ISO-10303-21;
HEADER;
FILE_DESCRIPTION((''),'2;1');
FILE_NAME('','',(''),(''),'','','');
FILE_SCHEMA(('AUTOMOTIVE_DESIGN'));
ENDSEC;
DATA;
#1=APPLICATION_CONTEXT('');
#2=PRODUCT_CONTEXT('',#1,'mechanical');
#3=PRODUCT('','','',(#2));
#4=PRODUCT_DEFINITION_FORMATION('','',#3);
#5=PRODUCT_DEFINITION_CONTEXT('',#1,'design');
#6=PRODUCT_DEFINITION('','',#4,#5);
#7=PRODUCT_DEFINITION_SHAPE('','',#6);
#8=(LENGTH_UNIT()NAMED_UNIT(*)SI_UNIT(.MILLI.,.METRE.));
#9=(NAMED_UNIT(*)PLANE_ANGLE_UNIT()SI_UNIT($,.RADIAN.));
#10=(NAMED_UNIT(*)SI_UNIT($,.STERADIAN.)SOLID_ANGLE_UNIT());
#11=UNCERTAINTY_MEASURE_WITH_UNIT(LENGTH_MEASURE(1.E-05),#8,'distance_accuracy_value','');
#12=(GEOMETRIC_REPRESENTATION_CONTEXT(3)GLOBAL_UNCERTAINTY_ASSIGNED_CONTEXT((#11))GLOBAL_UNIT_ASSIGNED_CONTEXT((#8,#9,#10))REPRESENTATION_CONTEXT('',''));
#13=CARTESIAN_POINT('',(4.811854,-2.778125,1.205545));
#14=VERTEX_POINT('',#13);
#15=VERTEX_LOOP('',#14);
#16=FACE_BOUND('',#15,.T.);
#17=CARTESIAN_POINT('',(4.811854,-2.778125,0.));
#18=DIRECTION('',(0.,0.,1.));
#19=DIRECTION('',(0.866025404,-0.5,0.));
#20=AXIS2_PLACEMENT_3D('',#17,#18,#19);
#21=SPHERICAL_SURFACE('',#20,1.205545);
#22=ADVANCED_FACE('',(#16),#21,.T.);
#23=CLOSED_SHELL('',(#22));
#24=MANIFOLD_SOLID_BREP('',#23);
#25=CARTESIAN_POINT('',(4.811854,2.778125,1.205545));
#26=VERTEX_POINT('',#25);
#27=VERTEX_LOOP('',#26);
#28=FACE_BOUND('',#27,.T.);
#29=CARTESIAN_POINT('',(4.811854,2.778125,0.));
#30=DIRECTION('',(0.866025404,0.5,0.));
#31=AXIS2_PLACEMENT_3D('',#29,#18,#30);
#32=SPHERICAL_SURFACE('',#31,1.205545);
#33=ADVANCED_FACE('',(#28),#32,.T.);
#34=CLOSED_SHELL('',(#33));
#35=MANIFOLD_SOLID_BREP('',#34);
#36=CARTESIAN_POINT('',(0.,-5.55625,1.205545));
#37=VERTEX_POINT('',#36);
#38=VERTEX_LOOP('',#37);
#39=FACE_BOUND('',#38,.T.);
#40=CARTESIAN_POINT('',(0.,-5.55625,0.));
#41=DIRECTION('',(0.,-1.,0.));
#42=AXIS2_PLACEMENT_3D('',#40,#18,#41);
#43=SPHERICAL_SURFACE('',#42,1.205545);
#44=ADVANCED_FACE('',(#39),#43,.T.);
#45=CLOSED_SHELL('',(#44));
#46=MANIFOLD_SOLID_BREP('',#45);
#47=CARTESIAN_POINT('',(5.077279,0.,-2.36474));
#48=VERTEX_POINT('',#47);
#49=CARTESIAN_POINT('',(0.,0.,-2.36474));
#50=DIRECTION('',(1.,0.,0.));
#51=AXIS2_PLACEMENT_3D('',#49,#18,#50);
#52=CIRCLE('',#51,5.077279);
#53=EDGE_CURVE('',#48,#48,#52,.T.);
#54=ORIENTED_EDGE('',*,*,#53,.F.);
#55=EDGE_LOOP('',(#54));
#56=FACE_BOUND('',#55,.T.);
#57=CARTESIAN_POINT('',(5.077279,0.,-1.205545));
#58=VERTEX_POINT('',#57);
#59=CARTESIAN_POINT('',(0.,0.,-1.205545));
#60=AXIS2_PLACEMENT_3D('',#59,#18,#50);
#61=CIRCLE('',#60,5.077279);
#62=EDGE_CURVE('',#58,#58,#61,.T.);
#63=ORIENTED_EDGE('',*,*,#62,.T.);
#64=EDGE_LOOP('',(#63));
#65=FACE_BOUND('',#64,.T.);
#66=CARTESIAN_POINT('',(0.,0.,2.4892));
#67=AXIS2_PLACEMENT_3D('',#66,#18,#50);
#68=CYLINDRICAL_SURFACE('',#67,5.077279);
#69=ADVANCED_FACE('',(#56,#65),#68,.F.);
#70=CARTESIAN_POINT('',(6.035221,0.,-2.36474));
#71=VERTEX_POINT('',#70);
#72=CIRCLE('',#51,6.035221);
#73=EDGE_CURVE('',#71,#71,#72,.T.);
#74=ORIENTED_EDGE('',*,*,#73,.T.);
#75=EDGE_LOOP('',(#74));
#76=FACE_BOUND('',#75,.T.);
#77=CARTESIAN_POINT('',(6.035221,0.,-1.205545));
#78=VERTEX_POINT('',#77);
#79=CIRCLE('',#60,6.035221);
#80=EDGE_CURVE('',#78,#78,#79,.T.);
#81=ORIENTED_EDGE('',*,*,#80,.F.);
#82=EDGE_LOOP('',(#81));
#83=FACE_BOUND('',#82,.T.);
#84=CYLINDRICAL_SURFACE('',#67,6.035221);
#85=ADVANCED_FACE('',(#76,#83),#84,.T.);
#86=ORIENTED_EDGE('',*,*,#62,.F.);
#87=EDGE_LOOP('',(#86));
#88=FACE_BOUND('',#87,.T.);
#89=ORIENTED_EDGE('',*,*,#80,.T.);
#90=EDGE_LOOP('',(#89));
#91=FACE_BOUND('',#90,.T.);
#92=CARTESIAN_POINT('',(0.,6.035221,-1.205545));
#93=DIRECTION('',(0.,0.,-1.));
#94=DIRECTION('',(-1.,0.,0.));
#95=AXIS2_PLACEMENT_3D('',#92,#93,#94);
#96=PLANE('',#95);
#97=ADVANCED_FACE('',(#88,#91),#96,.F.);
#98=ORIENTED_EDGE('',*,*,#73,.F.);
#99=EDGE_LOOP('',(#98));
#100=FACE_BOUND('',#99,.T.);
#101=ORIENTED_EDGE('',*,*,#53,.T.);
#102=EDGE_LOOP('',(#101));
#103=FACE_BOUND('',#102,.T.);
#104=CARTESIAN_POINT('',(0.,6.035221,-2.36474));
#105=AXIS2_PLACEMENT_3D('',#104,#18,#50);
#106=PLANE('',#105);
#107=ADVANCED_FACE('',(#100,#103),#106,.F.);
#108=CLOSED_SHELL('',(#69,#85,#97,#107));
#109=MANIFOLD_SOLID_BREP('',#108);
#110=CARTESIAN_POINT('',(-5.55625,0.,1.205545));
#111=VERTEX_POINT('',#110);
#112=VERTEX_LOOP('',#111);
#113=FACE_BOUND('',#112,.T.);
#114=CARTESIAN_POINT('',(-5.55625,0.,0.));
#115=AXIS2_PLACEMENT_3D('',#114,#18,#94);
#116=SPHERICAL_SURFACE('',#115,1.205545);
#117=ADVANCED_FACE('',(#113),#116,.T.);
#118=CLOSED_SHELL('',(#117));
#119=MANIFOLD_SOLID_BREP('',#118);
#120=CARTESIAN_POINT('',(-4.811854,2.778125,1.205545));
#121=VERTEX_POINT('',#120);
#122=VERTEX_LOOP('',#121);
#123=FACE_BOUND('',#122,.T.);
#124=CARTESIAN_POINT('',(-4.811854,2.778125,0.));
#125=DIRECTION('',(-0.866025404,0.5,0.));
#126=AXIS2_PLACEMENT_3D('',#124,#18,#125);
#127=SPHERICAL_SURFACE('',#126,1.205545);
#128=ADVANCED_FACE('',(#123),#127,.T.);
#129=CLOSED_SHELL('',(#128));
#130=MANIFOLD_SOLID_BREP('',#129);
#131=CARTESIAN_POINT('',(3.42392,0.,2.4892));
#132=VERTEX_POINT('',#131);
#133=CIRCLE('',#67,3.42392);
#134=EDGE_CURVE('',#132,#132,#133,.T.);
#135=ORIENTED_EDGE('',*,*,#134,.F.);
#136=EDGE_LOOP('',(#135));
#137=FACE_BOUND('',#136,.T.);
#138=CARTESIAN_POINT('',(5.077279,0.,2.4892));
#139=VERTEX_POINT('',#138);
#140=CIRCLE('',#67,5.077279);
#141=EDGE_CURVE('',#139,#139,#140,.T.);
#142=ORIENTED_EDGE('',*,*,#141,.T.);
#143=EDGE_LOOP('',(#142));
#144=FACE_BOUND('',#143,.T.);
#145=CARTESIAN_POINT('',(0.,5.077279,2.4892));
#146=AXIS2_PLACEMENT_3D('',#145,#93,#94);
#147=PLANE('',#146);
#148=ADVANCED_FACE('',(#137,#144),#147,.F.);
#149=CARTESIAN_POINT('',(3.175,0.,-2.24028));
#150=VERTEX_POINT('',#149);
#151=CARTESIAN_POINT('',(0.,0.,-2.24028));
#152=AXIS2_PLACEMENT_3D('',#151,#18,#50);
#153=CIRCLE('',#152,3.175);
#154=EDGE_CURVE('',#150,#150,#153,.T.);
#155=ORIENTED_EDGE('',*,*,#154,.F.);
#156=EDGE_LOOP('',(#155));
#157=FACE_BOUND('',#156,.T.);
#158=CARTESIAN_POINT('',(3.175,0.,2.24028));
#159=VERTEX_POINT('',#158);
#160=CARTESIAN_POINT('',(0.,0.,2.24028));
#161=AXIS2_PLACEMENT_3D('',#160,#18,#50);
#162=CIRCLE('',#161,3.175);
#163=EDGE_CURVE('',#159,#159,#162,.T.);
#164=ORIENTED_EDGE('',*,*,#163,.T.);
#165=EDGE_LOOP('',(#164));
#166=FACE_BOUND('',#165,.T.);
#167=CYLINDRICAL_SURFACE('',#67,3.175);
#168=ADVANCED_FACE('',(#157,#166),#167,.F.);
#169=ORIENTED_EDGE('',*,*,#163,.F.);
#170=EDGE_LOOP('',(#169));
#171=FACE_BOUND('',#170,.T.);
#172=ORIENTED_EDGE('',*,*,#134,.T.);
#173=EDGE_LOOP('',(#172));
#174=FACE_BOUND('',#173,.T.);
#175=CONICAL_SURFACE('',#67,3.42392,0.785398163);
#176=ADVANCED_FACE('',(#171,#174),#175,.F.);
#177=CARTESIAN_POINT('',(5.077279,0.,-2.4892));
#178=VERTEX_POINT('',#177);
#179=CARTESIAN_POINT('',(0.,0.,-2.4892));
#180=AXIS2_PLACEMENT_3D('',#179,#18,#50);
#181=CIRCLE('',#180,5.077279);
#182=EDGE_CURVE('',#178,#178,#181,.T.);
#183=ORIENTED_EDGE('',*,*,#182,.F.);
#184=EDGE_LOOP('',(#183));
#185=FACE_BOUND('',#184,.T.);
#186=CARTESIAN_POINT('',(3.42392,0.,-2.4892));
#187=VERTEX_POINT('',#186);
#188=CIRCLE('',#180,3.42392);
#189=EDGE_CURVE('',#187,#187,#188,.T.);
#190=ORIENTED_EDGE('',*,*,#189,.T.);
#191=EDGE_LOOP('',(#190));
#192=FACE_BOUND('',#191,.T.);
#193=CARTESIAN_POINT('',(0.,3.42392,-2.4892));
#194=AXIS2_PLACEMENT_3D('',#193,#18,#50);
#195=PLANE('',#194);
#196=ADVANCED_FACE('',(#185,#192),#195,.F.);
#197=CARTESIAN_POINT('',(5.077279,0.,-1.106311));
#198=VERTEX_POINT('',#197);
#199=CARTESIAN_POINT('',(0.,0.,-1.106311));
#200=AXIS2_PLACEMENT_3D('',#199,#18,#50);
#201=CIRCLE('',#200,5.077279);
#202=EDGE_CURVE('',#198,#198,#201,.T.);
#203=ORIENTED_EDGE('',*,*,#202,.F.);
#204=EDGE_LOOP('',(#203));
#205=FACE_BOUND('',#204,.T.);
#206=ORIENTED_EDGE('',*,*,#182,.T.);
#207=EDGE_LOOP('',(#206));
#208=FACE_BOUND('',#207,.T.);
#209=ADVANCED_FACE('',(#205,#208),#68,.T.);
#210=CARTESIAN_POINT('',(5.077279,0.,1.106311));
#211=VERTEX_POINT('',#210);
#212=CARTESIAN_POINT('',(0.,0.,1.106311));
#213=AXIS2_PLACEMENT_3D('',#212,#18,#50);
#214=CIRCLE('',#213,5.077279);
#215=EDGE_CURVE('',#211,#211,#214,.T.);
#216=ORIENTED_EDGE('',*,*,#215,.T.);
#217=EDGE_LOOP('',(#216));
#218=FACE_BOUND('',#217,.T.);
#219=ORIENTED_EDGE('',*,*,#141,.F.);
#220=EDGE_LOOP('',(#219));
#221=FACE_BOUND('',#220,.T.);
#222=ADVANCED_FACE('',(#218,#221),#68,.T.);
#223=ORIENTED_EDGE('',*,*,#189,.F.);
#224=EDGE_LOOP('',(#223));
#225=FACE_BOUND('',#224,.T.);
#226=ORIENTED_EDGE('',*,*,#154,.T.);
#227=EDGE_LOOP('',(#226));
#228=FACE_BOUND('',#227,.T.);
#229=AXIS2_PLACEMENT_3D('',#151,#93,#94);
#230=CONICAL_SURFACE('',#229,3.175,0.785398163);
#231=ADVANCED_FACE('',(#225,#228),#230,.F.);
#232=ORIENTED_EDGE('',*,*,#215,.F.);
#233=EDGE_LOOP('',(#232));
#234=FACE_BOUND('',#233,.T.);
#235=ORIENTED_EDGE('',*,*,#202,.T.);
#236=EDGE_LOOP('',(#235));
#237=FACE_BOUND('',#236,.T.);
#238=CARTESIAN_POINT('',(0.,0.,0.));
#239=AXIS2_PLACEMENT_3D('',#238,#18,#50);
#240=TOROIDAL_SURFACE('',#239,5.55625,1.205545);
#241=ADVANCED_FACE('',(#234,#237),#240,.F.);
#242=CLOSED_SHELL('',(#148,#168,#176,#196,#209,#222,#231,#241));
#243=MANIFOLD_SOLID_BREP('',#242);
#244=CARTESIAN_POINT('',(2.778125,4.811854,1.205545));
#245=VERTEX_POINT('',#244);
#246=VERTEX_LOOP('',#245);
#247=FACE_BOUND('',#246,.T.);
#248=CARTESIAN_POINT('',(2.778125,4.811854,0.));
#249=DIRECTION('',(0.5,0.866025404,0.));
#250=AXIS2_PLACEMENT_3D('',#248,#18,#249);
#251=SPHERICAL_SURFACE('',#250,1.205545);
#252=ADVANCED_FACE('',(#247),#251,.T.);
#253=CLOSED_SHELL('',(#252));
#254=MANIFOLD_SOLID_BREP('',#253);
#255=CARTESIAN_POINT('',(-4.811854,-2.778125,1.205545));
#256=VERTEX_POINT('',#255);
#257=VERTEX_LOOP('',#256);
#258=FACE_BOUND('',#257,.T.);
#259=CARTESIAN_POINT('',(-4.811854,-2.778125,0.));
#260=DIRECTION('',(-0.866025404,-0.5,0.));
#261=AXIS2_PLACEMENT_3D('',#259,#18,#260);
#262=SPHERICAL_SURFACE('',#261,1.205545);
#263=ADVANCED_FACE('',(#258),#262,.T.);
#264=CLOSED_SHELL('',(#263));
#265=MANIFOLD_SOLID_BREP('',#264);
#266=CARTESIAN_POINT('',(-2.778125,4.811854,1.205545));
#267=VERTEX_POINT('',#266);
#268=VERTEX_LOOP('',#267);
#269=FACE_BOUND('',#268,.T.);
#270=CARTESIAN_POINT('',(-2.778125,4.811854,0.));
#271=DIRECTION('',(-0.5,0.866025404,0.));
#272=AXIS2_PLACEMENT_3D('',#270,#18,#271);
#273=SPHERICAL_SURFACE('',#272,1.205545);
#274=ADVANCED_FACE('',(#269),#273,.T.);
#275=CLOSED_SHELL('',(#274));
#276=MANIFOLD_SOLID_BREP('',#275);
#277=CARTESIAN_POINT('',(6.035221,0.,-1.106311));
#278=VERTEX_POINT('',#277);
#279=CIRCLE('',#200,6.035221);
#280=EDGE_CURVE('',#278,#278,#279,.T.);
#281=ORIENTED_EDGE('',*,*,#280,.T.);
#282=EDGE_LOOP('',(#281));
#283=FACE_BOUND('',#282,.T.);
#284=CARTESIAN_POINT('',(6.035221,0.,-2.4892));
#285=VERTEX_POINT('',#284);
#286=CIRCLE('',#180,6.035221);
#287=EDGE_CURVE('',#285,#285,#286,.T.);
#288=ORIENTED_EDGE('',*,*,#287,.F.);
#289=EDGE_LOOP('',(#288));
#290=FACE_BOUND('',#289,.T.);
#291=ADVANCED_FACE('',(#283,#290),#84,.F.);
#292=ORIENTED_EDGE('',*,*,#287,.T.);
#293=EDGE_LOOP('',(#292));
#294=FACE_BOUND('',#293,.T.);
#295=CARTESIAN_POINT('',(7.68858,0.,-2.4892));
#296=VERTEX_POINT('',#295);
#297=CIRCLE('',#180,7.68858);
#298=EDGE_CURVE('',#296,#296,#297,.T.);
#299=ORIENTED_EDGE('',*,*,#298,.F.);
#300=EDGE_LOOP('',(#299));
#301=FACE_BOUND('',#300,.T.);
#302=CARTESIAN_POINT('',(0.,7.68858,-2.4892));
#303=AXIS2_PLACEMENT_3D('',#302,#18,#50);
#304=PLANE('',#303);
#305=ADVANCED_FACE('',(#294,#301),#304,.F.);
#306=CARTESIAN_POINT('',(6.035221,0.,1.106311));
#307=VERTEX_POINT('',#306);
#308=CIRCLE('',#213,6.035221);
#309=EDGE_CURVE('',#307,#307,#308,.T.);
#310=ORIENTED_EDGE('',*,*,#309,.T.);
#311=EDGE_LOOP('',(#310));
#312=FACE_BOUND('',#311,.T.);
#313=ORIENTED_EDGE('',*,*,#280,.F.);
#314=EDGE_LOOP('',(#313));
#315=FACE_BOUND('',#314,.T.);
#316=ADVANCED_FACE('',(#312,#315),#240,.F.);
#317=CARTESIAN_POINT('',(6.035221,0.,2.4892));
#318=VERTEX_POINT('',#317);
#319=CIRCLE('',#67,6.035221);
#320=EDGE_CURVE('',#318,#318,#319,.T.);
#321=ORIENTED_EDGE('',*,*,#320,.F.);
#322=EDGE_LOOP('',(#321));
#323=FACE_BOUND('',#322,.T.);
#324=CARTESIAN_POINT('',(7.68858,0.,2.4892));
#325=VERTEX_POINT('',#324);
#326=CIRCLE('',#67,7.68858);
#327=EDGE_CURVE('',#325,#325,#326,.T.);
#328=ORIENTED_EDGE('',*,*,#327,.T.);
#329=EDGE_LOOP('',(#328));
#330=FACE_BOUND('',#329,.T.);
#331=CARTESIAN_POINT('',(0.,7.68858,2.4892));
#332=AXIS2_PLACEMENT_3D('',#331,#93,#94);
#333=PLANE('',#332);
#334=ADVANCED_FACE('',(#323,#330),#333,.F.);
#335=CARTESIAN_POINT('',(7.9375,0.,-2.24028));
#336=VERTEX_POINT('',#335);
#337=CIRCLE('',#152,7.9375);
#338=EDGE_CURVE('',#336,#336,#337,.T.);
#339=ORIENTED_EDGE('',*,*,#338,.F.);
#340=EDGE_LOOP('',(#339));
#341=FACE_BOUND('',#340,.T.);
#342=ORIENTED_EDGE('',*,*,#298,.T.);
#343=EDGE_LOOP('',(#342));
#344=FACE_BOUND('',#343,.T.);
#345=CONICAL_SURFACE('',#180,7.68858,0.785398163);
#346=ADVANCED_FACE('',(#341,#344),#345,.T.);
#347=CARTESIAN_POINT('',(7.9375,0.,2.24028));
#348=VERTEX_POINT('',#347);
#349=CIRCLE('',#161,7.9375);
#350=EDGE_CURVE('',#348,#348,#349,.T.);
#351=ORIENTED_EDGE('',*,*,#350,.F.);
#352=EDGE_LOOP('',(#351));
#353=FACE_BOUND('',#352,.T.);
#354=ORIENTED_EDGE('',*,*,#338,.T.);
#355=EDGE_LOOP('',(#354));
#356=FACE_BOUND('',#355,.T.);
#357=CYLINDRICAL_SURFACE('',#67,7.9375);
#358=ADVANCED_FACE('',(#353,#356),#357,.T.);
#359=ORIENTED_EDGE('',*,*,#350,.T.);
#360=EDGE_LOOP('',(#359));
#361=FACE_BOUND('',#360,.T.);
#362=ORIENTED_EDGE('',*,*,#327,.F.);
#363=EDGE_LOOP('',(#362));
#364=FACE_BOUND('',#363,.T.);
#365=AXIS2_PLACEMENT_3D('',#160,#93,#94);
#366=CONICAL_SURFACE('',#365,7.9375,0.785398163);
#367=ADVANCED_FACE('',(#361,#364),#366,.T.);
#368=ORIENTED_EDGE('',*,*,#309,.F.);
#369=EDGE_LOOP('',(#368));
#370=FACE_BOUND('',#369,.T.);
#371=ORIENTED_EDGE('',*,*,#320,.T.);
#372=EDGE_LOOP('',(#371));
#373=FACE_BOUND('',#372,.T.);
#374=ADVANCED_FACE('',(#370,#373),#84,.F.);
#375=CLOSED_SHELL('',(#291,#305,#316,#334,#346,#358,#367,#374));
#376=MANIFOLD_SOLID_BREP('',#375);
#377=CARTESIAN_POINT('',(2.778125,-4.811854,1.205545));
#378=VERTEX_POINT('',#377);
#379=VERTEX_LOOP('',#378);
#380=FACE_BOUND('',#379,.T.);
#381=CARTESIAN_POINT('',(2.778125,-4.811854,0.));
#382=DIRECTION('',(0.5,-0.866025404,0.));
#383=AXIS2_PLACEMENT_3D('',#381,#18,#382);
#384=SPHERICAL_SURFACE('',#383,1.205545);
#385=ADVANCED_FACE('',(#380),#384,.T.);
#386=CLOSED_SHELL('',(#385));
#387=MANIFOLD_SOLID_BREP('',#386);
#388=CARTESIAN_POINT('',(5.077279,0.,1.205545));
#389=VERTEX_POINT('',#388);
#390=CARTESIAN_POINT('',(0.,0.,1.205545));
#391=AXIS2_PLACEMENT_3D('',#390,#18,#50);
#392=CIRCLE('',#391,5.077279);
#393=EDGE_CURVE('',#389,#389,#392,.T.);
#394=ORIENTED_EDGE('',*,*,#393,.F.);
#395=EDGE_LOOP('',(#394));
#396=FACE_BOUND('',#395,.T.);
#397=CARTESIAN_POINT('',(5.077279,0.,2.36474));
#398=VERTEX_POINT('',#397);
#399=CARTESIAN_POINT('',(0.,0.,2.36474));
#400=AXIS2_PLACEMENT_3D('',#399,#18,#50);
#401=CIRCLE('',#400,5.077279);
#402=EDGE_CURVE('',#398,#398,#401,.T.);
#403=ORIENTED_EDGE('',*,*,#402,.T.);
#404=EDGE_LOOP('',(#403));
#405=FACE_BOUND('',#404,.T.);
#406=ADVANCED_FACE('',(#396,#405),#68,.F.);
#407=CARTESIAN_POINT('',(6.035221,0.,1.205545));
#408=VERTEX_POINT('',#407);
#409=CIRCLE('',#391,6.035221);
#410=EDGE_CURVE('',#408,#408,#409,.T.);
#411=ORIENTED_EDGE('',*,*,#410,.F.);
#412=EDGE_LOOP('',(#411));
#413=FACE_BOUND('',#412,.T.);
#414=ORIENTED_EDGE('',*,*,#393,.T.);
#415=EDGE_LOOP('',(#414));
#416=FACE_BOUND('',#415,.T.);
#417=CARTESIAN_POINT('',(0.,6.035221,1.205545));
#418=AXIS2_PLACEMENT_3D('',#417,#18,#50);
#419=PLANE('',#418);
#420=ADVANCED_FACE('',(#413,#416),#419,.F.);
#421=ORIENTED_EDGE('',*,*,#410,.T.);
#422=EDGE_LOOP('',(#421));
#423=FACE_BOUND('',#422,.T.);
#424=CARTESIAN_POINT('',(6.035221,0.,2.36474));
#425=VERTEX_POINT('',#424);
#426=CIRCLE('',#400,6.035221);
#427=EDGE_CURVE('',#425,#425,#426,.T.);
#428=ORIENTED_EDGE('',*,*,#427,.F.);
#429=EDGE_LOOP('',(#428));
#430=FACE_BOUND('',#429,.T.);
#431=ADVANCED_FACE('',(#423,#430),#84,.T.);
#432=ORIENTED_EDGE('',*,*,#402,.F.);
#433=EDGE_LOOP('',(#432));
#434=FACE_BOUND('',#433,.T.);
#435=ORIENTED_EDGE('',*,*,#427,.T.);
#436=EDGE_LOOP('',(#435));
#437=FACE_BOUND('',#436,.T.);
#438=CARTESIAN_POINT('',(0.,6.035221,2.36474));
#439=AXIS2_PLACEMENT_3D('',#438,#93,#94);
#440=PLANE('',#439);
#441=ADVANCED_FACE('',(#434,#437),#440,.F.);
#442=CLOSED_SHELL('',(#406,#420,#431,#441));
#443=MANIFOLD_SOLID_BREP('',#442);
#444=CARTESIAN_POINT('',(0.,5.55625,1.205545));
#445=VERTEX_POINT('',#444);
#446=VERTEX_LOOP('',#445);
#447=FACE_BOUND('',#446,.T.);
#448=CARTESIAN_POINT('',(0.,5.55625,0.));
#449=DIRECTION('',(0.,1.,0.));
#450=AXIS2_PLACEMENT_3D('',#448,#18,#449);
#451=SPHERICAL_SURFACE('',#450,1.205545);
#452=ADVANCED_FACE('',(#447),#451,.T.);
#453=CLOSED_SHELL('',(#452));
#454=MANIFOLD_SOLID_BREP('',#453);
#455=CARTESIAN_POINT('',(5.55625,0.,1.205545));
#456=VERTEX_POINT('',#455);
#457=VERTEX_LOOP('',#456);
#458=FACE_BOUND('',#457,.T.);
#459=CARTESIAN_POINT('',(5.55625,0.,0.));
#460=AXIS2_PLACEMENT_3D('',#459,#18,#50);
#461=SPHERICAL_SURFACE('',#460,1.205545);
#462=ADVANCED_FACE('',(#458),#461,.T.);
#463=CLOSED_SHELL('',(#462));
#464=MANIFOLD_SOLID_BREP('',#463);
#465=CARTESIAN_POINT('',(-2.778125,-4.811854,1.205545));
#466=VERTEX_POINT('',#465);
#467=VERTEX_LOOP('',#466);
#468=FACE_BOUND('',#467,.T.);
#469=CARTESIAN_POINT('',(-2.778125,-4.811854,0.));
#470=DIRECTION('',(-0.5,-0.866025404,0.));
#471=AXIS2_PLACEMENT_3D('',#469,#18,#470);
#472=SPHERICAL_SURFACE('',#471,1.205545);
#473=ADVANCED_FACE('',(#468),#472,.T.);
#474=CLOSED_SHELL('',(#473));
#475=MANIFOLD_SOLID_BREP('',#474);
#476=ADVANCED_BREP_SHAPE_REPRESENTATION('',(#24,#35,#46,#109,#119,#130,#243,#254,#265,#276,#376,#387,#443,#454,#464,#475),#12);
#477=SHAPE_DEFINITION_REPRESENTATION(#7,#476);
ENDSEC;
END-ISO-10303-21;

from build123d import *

# Parameters (mm, degrees)
CIRPATTERN1_COUNT = 12
SKETCH5_W         = 1.15919535
SKETCH5_H         = 0.957942858


with BuildPart() as part:
    # Sketch1 → Revolve1 (revolve)
    with BuildSketch(Plane(origin=(0, 0, 0), x_dir=(0, 0, -1), z_dir=(1, 0, 0))):
        with BuildLine():
            Line((2.24028, 7.9375), (-2.24028, 7.9375))
            Line((-2.24028, 7.9375), (-2.4892, 7.68858))
            Line((-2.4892, 7.68858), (-2.4892, 6.035221429))
            Line((-2.4892, 6.035221429), (-1.106311111, 6.035221429))
            ThreePointArc((-1.106311111, 6.035221429), (0, 6.76179465), (1.106311111, 6.035221429))
            Line((1.106311111, 6.035221429), (2.4892, 6.035221429))
            Line((2.4892, 6.035221429), (2.4892, 7.68858))
            Line((2.4892, 7.68858), (2.24028, 7.9375))
        make_face()
    revolve(axis=Axis((0, 0, 2.4892), (0, 0, -1)))


with BuildPart() as body_2:
    # Sketch3 → Revolve3 (revolve)
    with BuildSketch(Plane(origin=(0, 0, 0), x_dir=(0, 0, -1), z_dir=(1, 0, 0))):
        with BuildLine():
            Line((-1.106311111, 5.077278571), (-2.4892, 5.077278571))
            Line((-2.4892, 5.077278571), (-2.4892, 3.42392))
            Line((-2.4892, 3.42392), (-2.24028, 3.175))
            Line((-2.24028, 3.175), (2.24028, 3.175))
            Line((2.24028, 3.175), (2.4892, 3.42392))
            Line((2.4892, 3.42392), (2.4892, 5.077278571))
            Line((2.4892, 5.077278571), (1.106311111, 5.077278571))
            ThreePointArc((1.106311111, 5.077278571), (0, 4.35070535), (-1.106311111, 5.077278571))
        make_face()
    revolve(axis=Axis((0, 0, 2.4892), (0, 0, -1)))


with BuildPart() as body_3:
    # Sketch4 → Revolve4 (revolve)
    with BuildSketch(Plane(origin=(0, 0, 0), x_dir=(0, 0, -1), z_dir=(1, 0, 0))):
        with BuildLine():
            Line((-1.20554465, 5.55625), (1.20554465, 5.55625))
            ThreePointArc((1.20554465, 5.55625), (0, 6.76179465), (-1.20554465, 5.55625))
        make_face()
    revolve(axis=Axis((0, 5.55625, 1.20554465), (0, 0, -1)))


with BuildPart() as cirpattern1_1:
    # CirPattern1: pattern copy
    add(body_3.part.rotate(Axis((0, 0, -2.4892), (0, 0, 1)), 1 * 360 / CIRPATTERN1_COUNT))


with BuildPart() as cirpattern1_2:
    # CirPattern1: pattern copy
    add(body_3.part.rotate(Axis((0, 0, -2.4892), (0, 0, 1)), 2 * 360 / CIRPATTERN1_COUNT))


with BuildPart() as cirpattern1_3:
    # CirPattern1: pattern copy
    add(body_3.part.rotate(Axis((0, 0, -2.4892), (0, 0, 1)), 3 * 360 / CIRPATTERN1_COUNT))


with BuildPart() as cirpattern1_4:
    # CirPattern1: pattern copy
    add(body_3.part.rotate(Axis((0, 0, -2.4892), (0, 0, 1)), 4 * 360 / CIRPATTERN1_COUNT))


with BuildPart() as cirpattern1_5:
    # CirPattern1: pattern copy
    add(body_3.part.rotate(Axis((0, 0, -2.4892), (0, 0, 1)), 5 * 360 / CIRPATTERN1_COUNT))


with BuildPart() as cirpattern1_6:
    # CirPattern1: pattern copy
    add(body_3.part.rotate(Axis((0, 0, -2.4892), (0, 0, 1)), 6 * 360 / CIRPATTERN1_COUNT))


with BuildPart() as cirpattern1_7:
    # CirPattern1: pattern copy
    add(body_3.part.rotate(Axis((0, 0, -2.4892), (0, 0, 1)), 7 * 360 / CIRPATTERN1_COUNT))


with BuildPart() as cirpattern1_8:
    # CirPattern1: pattern copy
    add(body_3.part.rotate(Axis((0, 0, -2.4892), (0, 0, 1)), 8 * 360 / CIRPATTERN1_COUNT))


with BuildPart() as cirpattern1_9:
    # CirPattern1: pattern copy
    add(body_3.part.rotate(Axis((0, 0, -2.4892), (0, 0, 1)), 9 * 360 / CIRPATTERN1_COUNT))


with BuildPart() as cirpattern1_10:
    # CirPattern1: pattern copy
    add(body_3.part.rotate(Axis((0, 0, -2.4892), (0, 0, 1)), 10 * 360 / CIRPATTERN1_COUNT))


with BuildPart() as cirpattern1_11:
    # CirPattern1: pattern copy
    add(body_3.part.rotate(Axis((0, 0, -2.4892), (0, 0, 1)), 11 * 360 / CIRPATTERN1_COUNT))


with BuildPart() as body_15:
    # Sketch5 → Revolve5 (revolve)
    with BuildSketch(Plane(origin=(0, 0, 0), x_dir=(0, 0, -1), z_dir=(1, 0, 0))):
        with Locations((-1.785142325, 5.55625)):
            Rectangle(SKETCH5_W, SKETCH5_H)
        with Locations((1.785142325, 5.55625)):
            Rectangle(SKETCH5_W, SKETCH5_H)
    revolve(axis=Axis((0, 0, 2.4892), (0, 0, -1)))


solid = Compound([part.part, body_2.part, body_3.part, cirpattern1_1.part, cirpattern1_2.part, cirpattern1_3.part, cirpattern1_4.part, cirpattern1_5.part, cirpattern1_6.part, cirpattern1_7.part, cirpattern1_8.part, cirpattern1_9.part, cirpattern1_10.part, cirpattern1_11.part, body_15.part])
